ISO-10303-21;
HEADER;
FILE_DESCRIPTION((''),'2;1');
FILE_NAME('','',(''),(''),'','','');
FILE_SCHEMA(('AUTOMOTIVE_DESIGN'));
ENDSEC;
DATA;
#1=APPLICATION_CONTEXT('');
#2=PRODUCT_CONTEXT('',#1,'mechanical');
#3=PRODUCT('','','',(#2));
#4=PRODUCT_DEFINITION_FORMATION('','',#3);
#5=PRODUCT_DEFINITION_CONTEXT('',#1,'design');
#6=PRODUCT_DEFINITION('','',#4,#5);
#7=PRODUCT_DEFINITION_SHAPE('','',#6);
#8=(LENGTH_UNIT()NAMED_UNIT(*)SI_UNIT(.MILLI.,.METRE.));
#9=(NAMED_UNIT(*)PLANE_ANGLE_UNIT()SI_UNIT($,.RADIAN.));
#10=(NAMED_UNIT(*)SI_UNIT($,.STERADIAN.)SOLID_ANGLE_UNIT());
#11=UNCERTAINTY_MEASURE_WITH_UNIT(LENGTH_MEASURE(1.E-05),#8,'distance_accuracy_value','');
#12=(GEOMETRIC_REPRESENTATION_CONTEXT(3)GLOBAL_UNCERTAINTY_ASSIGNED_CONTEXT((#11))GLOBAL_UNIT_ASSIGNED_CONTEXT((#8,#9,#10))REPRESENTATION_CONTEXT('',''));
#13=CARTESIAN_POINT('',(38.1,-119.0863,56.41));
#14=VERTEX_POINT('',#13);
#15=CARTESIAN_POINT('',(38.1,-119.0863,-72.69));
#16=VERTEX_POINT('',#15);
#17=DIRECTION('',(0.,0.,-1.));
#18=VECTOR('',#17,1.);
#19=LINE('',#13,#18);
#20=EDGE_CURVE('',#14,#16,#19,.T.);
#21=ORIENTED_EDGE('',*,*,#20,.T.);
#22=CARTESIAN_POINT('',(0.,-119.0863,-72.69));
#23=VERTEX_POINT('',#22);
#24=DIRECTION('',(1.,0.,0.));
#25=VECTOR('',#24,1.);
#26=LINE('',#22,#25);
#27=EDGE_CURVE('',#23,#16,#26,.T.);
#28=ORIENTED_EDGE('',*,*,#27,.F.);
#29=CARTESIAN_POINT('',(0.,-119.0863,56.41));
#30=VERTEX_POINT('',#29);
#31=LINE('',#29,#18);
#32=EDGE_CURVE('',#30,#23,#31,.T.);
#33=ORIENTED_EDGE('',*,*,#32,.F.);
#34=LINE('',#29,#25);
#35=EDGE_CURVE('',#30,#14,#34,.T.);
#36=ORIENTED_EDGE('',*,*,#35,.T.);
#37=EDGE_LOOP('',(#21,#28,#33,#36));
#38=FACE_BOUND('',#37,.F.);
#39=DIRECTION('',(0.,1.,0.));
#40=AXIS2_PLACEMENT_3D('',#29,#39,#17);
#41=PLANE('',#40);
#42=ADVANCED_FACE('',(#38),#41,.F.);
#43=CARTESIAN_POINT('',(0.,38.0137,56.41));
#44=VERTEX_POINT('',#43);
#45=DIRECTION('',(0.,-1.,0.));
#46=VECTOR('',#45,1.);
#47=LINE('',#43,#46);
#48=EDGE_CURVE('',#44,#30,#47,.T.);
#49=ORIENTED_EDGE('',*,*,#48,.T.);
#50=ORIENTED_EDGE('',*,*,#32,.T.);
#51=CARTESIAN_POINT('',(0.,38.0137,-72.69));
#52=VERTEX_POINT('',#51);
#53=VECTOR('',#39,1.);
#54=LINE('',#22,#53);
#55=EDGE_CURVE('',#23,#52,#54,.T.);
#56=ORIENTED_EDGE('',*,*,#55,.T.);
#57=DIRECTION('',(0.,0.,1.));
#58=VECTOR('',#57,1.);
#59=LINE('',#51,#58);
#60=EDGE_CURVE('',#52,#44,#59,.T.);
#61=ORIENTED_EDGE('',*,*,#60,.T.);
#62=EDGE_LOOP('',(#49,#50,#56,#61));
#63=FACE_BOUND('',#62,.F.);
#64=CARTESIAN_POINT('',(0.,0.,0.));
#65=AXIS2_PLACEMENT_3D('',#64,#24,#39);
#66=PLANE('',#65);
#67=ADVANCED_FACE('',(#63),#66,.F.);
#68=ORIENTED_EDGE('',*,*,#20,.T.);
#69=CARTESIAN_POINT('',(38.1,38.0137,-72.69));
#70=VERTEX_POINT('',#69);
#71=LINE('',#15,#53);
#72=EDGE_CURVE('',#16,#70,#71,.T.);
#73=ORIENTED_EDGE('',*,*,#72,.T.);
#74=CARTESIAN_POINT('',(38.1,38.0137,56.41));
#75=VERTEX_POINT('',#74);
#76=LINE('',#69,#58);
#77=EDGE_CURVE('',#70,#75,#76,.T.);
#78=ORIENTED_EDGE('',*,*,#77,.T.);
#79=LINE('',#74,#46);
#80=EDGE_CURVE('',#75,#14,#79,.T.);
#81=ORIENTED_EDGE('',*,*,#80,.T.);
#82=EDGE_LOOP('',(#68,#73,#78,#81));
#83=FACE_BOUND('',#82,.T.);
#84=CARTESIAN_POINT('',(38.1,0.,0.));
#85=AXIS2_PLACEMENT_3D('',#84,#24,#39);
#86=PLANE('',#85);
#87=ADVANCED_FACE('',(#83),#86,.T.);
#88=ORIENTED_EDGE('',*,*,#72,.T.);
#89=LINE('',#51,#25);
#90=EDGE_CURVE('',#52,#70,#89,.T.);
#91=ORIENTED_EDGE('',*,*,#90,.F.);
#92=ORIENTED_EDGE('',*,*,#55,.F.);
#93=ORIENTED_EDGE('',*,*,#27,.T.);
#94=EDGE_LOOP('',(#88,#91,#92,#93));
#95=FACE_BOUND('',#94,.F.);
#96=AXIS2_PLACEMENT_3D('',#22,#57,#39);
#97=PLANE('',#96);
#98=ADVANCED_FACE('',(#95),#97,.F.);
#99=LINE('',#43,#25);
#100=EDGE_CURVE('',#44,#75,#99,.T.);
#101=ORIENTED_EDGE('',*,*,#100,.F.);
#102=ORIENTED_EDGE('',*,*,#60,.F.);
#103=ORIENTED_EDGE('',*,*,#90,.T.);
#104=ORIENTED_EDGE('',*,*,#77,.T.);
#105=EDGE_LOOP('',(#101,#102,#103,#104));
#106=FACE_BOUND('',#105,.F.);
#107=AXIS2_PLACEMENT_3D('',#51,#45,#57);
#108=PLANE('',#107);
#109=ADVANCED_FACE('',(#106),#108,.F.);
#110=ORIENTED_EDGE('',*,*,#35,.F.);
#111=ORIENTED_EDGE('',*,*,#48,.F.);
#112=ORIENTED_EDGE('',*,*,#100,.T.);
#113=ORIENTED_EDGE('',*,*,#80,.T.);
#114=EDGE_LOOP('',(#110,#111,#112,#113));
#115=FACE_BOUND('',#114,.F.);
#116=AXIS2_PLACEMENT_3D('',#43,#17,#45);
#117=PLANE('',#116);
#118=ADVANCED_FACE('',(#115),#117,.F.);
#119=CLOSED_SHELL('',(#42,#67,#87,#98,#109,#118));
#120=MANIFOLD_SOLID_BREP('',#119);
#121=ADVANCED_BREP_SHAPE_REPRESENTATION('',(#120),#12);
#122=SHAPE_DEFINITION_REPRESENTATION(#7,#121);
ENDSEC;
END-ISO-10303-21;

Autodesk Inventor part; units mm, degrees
ref_plane "YZ Plane" through (0, 0, 0) normal (1, 0, 0) x (0, 1, 0)
ref_plane "XZ Plane" through (0, 0, 0) normal (0, 1, 0) x (-1, 0, 0)
ref_plane "XY Plane" through (0, 0, 0) normal (0, 0, 1) x (1, 0, 0)
sketch "Sketch1" plane through (0, 0, 0) normal (1, 0, 0) x (0, 1, 0)
  line L0 (38.0137, 56.41) -> (-119.0863, 56.41)
  line L1 (-119.0863, 56.41) -> (-119.0863, -72.69)
  line L2 (-119.0863, -72.69) -> (38.0137, -72.69)
  line L3 (38.0137, -72.69) -> (38.0137, 56.41)
  point P0 (0, 0)
  dimension "d0" = 129.1
  dimension "d1" = 157.1
extrude "Extrusion1" add sketch "Sketch1" along normal blind 38.1
properties part number "Metal_Bar1"
